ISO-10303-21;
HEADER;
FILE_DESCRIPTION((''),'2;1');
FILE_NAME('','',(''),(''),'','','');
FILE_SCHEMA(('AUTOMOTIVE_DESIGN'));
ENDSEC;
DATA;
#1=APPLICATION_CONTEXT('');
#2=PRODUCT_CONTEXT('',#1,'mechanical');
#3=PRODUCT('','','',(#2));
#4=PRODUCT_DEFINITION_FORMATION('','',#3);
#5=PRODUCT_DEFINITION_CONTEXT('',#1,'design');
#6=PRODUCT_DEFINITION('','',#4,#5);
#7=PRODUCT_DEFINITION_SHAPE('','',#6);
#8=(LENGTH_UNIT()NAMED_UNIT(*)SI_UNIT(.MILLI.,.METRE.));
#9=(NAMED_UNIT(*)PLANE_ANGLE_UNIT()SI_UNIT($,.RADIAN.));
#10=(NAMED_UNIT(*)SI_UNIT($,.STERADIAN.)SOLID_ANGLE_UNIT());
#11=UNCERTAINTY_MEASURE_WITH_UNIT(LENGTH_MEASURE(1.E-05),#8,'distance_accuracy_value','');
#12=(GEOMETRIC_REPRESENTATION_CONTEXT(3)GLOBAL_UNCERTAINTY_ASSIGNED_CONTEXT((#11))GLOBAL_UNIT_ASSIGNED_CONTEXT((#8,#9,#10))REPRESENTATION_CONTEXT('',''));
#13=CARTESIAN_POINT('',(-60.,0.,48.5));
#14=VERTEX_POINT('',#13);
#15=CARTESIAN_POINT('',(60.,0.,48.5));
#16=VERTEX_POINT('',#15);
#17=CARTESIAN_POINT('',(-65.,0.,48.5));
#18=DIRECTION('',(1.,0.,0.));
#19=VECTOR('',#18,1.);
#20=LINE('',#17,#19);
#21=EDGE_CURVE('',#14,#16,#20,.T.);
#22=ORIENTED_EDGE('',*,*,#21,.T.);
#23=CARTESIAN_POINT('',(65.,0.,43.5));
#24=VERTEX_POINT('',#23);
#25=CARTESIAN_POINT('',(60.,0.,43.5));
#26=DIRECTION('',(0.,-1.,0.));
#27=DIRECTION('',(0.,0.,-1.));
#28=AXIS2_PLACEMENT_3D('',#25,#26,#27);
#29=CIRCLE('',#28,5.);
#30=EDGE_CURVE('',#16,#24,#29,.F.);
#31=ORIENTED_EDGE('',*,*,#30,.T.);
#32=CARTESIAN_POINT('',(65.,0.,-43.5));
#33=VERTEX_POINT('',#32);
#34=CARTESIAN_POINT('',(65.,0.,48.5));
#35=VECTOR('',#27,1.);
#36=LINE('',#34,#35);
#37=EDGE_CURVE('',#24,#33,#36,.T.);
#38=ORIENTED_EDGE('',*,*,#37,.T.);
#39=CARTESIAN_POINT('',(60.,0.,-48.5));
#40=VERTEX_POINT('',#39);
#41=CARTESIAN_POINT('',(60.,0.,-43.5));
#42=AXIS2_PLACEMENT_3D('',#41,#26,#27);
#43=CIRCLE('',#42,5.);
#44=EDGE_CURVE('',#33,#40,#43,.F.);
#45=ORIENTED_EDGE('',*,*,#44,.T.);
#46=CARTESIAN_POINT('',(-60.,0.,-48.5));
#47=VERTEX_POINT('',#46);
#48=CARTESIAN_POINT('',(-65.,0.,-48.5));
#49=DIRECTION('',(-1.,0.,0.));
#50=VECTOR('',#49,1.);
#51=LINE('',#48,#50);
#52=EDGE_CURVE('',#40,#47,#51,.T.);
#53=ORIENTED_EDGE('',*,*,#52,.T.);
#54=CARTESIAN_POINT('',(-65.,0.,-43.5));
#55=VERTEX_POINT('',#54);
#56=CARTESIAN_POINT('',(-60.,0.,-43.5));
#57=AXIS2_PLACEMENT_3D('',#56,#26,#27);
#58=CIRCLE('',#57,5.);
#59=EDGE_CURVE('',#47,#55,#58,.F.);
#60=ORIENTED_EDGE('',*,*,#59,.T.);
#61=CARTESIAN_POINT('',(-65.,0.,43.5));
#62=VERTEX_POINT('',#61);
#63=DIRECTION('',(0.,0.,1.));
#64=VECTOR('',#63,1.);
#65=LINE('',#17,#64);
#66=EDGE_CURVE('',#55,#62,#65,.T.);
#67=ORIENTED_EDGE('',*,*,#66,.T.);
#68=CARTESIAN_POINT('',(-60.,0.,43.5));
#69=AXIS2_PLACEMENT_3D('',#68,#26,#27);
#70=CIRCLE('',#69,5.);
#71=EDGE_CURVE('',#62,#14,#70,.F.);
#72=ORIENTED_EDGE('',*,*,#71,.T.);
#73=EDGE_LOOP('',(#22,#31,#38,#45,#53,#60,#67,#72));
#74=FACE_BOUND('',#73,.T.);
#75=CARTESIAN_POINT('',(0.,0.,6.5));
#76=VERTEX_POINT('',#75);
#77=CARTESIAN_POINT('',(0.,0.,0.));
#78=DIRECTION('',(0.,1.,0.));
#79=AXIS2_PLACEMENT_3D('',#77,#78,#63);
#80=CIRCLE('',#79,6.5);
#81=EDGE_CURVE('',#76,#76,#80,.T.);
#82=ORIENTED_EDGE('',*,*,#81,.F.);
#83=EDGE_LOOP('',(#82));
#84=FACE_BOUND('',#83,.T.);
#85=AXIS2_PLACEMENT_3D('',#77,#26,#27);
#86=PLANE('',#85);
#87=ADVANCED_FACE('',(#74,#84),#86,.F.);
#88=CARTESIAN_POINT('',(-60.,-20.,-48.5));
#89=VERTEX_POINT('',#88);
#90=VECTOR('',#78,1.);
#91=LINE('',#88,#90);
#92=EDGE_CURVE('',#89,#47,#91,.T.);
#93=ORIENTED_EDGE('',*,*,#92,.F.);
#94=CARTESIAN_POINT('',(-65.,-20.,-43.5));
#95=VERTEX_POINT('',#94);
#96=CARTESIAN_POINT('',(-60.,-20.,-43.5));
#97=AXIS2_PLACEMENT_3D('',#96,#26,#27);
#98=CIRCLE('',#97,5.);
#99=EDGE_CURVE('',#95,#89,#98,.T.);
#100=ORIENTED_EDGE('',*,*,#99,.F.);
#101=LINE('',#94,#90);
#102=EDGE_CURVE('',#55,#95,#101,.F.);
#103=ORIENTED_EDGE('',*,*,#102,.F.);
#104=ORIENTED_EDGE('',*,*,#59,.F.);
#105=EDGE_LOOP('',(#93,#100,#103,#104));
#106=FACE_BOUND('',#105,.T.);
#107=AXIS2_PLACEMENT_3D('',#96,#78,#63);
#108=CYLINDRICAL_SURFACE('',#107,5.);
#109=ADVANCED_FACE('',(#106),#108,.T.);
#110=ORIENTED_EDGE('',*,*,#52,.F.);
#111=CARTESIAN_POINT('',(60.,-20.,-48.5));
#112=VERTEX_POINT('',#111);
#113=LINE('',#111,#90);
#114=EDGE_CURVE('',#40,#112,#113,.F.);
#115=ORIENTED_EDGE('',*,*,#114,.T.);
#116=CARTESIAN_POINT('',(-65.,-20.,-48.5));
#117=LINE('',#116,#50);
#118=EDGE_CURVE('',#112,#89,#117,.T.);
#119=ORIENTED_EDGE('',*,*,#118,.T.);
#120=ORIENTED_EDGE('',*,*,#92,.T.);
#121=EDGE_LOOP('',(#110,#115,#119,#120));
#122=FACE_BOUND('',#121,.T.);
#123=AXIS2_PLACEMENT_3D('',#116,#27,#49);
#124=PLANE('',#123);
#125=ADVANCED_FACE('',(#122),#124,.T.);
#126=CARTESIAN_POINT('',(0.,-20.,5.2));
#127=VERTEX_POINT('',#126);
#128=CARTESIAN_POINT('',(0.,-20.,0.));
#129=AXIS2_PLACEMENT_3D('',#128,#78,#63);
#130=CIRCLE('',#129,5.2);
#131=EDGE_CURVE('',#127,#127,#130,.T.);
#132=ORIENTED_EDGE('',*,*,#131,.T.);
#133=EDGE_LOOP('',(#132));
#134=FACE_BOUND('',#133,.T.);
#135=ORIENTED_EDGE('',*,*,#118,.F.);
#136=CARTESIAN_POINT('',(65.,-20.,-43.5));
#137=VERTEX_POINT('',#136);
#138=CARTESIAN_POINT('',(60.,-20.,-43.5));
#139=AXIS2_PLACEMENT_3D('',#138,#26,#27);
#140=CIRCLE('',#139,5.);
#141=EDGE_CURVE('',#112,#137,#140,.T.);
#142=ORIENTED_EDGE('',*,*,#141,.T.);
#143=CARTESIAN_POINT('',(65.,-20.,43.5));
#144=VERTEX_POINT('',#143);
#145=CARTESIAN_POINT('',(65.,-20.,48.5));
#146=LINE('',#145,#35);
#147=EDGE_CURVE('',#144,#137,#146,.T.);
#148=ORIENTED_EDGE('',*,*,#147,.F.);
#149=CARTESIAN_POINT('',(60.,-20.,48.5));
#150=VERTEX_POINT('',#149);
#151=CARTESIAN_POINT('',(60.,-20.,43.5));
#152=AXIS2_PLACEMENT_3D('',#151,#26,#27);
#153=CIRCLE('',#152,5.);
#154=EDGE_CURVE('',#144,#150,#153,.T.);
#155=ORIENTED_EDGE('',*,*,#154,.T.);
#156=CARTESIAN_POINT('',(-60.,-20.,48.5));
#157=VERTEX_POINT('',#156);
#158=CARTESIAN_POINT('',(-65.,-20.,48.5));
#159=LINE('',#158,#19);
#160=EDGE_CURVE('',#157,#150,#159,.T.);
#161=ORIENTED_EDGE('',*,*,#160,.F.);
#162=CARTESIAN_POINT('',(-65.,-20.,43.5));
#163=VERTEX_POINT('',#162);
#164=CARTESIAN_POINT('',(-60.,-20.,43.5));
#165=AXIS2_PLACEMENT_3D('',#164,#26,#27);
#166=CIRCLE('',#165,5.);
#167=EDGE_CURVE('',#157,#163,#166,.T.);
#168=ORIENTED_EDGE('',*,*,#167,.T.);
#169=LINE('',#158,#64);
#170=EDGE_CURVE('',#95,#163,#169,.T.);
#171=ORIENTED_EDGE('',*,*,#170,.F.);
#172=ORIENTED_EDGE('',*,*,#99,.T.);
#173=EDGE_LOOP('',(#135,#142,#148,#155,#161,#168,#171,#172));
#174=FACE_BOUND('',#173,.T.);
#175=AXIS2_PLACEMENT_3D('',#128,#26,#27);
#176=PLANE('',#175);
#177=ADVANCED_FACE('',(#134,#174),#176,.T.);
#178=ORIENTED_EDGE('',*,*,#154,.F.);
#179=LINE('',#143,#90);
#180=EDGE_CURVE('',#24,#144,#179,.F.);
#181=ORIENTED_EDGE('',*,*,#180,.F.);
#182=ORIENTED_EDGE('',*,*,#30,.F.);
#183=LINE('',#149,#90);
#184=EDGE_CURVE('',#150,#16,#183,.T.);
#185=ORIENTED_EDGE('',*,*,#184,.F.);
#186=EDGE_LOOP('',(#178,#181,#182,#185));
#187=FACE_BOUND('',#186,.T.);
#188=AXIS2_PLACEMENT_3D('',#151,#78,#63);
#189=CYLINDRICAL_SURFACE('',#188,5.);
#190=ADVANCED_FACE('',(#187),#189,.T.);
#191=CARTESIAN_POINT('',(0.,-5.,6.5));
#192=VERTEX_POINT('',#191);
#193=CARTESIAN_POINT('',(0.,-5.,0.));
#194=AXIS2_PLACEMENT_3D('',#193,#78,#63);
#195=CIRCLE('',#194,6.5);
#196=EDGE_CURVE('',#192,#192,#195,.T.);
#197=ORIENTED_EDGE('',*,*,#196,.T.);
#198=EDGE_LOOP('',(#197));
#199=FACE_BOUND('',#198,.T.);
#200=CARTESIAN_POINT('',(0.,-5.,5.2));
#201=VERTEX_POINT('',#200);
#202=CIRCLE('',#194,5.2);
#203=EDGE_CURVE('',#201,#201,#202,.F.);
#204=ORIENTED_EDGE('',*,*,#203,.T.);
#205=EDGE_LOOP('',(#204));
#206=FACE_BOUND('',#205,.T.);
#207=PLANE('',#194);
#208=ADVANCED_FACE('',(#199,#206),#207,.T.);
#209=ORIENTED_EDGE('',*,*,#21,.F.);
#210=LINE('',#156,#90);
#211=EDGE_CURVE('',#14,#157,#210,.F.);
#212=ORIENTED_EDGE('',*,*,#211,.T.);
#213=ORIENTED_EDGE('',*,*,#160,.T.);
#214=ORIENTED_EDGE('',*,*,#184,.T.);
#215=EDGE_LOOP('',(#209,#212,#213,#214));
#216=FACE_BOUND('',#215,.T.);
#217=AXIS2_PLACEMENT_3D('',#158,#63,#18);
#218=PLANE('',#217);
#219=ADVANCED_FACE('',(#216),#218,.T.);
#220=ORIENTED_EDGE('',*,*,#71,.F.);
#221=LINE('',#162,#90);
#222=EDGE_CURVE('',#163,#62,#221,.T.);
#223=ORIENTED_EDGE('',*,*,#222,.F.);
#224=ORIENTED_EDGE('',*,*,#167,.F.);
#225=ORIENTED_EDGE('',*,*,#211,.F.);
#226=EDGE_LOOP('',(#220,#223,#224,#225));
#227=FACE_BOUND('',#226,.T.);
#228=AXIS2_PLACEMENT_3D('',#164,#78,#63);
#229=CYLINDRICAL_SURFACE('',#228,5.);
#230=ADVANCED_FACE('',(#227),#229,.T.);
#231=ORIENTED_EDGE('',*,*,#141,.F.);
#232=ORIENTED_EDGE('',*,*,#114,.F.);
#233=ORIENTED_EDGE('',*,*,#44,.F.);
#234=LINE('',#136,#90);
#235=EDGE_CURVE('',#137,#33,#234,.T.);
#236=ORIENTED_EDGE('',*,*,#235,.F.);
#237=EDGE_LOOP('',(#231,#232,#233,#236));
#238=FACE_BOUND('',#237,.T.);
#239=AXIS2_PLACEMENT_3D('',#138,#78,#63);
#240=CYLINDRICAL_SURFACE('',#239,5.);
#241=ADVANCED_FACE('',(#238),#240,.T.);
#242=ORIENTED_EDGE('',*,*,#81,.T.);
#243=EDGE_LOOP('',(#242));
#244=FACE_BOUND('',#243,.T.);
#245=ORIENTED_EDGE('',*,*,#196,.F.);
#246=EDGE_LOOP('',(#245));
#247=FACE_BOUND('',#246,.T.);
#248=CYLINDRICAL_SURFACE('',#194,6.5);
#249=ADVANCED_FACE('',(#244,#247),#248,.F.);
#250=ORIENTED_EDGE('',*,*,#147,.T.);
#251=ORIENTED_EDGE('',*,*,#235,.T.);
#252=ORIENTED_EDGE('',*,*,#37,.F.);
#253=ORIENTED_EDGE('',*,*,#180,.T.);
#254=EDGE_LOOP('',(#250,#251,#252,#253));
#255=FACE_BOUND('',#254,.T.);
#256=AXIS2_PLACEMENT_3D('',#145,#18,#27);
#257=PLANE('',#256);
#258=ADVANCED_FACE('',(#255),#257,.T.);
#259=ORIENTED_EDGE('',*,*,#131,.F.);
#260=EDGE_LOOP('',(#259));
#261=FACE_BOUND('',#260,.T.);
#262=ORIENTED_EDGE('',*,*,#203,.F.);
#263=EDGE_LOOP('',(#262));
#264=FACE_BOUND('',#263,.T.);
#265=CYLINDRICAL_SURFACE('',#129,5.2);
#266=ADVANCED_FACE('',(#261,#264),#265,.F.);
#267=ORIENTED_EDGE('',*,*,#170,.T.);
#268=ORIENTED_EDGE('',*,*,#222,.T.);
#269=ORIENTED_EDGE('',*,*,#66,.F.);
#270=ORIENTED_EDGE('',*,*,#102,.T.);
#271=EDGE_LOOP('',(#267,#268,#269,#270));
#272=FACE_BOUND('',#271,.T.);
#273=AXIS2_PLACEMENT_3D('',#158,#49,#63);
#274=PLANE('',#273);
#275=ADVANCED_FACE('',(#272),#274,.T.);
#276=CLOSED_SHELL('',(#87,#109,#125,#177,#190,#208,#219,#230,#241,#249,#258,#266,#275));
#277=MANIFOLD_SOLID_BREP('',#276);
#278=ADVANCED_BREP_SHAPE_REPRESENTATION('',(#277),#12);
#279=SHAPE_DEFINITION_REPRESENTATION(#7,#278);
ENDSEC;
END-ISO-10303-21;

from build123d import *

# Parameters (mm, degrees)
SKETCH1_W           = 130
SKETCH1_H           = 97
BOSS_EXTRUDE1_DEPTH = 20
SKETCH2_R           = 5.2
CUT_EXTRUDE1_DEPTH  = 84.529934754
SKETCH3_R           = 6.5
CUT_EXTRUDE2_DEPTH  = 5
FILLET1_R           = 5


with BuildPart() as part:
    # Sketch1 → Boss-Extrude1 (new body)
    with BuildSketch(Plane(origin=(0, 0, 0), x_dir=(1, 0, 0), z_dir=(0, 1, 0))):
        Rectangle(SKETCH1_W, SKETCH1_H)
    extrude(amount=-BOSS_EXTRUDE1_DEPTH)

    # Sketch2 → Cut-Extrude1 (cut, through all)
    with BuildSketch(Plane(origin=(0, 0, 0), x_dir=(1, 0, 0), z_dir=(0, 1, 0))):
        with Locations(Location((0, 0, 0), (0, 0, 270))):
            Circle(SKETCH2_R)
    extrude(amount=-CUT_EXTRUDE1_DEPTH, mode=Mode.SUBTRACT)

    # Sketch3 → Cut-Extrude2 (cut)
    with BuildSketch(Plane(origin=(0, 0, 0), x_dir=(1, 0, 0), z_dir=(0, 1, 0))):
        with Locations(Location((0, 0, 0), (0, 0, 270))):
            Circle(SKETCH3_R)
    extrude(amount=-CUT_EXTRUDE2_DEPTH, mode=Mode.SUBTRACT)

    # Fillet1
    fillet1_edges = [part.edges().sort_by_distance(p)[0] for p in [
        (65, -10, 48.5),
        (-65, -10, 48.5),
        (-65, -10, -48.5),
        (65, -10, -48.5),
    ]]
    fillet(fillet1_edges, radius=FILLET1_R)


solid = part.part
